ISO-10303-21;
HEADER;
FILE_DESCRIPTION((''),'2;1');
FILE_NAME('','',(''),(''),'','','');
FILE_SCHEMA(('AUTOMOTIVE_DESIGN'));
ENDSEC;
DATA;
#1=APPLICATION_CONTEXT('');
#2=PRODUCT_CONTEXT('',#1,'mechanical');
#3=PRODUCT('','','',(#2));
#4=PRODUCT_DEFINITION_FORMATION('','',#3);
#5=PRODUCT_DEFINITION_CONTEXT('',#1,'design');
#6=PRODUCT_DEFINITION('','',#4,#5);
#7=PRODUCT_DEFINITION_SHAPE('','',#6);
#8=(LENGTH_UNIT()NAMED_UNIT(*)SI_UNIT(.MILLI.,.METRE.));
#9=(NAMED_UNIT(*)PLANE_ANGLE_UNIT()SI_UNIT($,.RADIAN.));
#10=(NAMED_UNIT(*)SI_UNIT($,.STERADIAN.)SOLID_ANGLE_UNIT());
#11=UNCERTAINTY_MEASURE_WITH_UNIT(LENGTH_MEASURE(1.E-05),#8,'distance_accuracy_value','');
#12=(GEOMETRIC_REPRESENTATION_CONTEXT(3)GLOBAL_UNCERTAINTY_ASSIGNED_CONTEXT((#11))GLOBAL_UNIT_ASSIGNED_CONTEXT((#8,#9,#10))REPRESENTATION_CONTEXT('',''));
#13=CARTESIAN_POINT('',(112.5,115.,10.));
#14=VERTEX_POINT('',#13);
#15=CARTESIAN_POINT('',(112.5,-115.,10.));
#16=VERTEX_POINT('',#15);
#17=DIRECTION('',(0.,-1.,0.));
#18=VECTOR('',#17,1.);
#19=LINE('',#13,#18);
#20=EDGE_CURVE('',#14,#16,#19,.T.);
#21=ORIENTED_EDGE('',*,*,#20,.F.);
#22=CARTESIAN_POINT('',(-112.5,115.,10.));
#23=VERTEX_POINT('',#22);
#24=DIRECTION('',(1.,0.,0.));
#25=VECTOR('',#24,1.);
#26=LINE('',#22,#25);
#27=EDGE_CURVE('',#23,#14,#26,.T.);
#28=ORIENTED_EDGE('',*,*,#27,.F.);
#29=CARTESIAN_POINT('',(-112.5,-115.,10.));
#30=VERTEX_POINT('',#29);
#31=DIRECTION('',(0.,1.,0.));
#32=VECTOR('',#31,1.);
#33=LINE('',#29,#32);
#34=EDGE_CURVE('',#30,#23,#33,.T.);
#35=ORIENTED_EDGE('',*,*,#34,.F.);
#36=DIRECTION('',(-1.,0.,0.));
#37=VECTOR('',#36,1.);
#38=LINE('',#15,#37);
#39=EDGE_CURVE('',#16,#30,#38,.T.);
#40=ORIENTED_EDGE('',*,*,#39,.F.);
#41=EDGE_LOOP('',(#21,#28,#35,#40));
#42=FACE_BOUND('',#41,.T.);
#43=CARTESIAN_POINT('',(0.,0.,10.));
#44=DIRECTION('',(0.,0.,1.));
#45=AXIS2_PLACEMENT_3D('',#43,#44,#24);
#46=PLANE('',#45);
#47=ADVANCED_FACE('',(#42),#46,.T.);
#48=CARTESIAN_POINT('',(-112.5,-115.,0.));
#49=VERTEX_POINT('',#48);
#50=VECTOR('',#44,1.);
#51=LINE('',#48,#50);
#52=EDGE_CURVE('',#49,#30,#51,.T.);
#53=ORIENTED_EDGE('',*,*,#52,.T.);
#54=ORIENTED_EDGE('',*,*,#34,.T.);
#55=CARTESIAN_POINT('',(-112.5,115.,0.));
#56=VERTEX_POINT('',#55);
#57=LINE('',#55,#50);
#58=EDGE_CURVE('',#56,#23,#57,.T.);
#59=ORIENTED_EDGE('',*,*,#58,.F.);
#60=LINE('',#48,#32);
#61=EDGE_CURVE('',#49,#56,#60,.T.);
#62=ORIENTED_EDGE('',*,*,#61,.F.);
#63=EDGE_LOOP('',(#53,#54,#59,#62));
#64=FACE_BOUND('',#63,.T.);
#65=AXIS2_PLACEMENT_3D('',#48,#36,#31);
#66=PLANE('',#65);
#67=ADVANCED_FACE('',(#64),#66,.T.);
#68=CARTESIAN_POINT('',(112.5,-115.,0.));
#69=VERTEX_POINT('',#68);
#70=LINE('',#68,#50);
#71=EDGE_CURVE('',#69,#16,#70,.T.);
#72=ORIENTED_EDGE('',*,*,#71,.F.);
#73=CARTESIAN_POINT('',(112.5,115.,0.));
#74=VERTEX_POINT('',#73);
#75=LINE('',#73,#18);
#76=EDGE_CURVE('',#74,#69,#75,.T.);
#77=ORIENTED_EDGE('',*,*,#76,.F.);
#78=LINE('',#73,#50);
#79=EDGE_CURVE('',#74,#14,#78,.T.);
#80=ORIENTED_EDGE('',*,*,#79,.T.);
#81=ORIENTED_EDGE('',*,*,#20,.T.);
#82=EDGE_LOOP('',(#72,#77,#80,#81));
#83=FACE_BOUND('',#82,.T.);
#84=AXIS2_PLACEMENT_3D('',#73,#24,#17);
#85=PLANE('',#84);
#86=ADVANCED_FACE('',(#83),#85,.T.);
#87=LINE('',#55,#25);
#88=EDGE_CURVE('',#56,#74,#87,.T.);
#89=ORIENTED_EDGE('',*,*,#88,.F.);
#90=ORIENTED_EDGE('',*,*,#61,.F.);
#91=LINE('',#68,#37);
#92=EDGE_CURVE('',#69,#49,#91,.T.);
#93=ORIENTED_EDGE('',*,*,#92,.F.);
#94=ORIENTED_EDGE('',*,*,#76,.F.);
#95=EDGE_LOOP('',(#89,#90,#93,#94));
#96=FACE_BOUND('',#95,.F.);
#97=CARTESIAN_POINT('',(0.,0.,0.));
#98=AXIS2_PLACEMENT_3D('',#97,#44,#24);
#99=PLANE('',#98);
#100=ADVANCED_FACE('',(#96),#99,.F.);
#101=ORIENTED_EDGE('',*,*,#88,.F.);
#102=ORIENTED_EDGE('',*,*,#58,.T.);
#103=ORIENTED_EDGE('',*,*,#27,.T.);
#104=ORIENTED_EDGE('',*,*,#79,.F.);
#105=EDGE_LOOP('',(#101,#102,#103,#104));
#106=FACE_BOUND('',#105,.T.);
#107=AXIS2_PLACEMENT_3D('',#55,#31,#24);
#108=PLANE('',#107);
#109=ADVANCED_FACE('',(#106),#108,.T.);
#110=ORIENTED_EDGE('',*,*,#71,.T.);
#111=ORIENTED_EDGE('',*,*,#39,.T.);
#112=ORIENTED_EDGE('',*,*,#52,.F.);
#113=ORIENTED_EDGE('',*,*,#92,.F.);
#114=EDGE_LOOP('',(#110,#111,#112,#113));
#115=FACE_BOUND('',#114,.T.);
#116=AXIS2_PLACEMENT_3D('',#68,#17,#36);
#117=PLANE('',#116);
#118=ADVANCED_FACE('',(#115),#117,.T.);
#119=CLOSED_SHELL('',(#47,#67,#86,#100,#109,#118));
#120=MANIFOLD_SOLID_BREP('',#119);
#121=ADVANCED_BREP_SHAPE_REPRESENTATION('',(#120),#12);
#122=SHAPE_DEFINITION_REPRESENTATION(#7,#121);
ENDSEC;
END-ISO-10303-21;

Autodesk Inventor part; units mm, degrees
ref_plane "YZ Plane" through (0, 0, 0) normal (1, 0, 0) x (0, 1, 0)
ref_plane "XZ Plane" through (0, 0, 0) normal (0, 1, 0) x (-1, 0, 0)
ref_plane "XY Plane" through (0, 0, 0) normal (0, 0, 1) x (1, 0, 0)
sketch "Sketch1" plane through (0, 0, 0) normal (0, 0, 1) x (1, 0, 0)
  line L0 (-112.5, 115) -> (112.5, 115)
  line L1 (112.5, 115) -> (112.5, -115)
  line L2 (112.5, -115) -> (-112.5, -115)
  line L3 (-112.5, -115) -> (-112.5, 115)
  point P0 (0, 0)
  dimension "d0" = 115
  dimension "d1" = 230
  dimension "d2" = 225
  dimension "d3" = 112.5
extrude "Extrusion1" add sketch "Sketch1" along normal blind 10
equation "\"d0\" = 0.5 * d1"
equation "\"d3\" = 0.5 * d2"
properties part number "Afastador" material "Titanium"
